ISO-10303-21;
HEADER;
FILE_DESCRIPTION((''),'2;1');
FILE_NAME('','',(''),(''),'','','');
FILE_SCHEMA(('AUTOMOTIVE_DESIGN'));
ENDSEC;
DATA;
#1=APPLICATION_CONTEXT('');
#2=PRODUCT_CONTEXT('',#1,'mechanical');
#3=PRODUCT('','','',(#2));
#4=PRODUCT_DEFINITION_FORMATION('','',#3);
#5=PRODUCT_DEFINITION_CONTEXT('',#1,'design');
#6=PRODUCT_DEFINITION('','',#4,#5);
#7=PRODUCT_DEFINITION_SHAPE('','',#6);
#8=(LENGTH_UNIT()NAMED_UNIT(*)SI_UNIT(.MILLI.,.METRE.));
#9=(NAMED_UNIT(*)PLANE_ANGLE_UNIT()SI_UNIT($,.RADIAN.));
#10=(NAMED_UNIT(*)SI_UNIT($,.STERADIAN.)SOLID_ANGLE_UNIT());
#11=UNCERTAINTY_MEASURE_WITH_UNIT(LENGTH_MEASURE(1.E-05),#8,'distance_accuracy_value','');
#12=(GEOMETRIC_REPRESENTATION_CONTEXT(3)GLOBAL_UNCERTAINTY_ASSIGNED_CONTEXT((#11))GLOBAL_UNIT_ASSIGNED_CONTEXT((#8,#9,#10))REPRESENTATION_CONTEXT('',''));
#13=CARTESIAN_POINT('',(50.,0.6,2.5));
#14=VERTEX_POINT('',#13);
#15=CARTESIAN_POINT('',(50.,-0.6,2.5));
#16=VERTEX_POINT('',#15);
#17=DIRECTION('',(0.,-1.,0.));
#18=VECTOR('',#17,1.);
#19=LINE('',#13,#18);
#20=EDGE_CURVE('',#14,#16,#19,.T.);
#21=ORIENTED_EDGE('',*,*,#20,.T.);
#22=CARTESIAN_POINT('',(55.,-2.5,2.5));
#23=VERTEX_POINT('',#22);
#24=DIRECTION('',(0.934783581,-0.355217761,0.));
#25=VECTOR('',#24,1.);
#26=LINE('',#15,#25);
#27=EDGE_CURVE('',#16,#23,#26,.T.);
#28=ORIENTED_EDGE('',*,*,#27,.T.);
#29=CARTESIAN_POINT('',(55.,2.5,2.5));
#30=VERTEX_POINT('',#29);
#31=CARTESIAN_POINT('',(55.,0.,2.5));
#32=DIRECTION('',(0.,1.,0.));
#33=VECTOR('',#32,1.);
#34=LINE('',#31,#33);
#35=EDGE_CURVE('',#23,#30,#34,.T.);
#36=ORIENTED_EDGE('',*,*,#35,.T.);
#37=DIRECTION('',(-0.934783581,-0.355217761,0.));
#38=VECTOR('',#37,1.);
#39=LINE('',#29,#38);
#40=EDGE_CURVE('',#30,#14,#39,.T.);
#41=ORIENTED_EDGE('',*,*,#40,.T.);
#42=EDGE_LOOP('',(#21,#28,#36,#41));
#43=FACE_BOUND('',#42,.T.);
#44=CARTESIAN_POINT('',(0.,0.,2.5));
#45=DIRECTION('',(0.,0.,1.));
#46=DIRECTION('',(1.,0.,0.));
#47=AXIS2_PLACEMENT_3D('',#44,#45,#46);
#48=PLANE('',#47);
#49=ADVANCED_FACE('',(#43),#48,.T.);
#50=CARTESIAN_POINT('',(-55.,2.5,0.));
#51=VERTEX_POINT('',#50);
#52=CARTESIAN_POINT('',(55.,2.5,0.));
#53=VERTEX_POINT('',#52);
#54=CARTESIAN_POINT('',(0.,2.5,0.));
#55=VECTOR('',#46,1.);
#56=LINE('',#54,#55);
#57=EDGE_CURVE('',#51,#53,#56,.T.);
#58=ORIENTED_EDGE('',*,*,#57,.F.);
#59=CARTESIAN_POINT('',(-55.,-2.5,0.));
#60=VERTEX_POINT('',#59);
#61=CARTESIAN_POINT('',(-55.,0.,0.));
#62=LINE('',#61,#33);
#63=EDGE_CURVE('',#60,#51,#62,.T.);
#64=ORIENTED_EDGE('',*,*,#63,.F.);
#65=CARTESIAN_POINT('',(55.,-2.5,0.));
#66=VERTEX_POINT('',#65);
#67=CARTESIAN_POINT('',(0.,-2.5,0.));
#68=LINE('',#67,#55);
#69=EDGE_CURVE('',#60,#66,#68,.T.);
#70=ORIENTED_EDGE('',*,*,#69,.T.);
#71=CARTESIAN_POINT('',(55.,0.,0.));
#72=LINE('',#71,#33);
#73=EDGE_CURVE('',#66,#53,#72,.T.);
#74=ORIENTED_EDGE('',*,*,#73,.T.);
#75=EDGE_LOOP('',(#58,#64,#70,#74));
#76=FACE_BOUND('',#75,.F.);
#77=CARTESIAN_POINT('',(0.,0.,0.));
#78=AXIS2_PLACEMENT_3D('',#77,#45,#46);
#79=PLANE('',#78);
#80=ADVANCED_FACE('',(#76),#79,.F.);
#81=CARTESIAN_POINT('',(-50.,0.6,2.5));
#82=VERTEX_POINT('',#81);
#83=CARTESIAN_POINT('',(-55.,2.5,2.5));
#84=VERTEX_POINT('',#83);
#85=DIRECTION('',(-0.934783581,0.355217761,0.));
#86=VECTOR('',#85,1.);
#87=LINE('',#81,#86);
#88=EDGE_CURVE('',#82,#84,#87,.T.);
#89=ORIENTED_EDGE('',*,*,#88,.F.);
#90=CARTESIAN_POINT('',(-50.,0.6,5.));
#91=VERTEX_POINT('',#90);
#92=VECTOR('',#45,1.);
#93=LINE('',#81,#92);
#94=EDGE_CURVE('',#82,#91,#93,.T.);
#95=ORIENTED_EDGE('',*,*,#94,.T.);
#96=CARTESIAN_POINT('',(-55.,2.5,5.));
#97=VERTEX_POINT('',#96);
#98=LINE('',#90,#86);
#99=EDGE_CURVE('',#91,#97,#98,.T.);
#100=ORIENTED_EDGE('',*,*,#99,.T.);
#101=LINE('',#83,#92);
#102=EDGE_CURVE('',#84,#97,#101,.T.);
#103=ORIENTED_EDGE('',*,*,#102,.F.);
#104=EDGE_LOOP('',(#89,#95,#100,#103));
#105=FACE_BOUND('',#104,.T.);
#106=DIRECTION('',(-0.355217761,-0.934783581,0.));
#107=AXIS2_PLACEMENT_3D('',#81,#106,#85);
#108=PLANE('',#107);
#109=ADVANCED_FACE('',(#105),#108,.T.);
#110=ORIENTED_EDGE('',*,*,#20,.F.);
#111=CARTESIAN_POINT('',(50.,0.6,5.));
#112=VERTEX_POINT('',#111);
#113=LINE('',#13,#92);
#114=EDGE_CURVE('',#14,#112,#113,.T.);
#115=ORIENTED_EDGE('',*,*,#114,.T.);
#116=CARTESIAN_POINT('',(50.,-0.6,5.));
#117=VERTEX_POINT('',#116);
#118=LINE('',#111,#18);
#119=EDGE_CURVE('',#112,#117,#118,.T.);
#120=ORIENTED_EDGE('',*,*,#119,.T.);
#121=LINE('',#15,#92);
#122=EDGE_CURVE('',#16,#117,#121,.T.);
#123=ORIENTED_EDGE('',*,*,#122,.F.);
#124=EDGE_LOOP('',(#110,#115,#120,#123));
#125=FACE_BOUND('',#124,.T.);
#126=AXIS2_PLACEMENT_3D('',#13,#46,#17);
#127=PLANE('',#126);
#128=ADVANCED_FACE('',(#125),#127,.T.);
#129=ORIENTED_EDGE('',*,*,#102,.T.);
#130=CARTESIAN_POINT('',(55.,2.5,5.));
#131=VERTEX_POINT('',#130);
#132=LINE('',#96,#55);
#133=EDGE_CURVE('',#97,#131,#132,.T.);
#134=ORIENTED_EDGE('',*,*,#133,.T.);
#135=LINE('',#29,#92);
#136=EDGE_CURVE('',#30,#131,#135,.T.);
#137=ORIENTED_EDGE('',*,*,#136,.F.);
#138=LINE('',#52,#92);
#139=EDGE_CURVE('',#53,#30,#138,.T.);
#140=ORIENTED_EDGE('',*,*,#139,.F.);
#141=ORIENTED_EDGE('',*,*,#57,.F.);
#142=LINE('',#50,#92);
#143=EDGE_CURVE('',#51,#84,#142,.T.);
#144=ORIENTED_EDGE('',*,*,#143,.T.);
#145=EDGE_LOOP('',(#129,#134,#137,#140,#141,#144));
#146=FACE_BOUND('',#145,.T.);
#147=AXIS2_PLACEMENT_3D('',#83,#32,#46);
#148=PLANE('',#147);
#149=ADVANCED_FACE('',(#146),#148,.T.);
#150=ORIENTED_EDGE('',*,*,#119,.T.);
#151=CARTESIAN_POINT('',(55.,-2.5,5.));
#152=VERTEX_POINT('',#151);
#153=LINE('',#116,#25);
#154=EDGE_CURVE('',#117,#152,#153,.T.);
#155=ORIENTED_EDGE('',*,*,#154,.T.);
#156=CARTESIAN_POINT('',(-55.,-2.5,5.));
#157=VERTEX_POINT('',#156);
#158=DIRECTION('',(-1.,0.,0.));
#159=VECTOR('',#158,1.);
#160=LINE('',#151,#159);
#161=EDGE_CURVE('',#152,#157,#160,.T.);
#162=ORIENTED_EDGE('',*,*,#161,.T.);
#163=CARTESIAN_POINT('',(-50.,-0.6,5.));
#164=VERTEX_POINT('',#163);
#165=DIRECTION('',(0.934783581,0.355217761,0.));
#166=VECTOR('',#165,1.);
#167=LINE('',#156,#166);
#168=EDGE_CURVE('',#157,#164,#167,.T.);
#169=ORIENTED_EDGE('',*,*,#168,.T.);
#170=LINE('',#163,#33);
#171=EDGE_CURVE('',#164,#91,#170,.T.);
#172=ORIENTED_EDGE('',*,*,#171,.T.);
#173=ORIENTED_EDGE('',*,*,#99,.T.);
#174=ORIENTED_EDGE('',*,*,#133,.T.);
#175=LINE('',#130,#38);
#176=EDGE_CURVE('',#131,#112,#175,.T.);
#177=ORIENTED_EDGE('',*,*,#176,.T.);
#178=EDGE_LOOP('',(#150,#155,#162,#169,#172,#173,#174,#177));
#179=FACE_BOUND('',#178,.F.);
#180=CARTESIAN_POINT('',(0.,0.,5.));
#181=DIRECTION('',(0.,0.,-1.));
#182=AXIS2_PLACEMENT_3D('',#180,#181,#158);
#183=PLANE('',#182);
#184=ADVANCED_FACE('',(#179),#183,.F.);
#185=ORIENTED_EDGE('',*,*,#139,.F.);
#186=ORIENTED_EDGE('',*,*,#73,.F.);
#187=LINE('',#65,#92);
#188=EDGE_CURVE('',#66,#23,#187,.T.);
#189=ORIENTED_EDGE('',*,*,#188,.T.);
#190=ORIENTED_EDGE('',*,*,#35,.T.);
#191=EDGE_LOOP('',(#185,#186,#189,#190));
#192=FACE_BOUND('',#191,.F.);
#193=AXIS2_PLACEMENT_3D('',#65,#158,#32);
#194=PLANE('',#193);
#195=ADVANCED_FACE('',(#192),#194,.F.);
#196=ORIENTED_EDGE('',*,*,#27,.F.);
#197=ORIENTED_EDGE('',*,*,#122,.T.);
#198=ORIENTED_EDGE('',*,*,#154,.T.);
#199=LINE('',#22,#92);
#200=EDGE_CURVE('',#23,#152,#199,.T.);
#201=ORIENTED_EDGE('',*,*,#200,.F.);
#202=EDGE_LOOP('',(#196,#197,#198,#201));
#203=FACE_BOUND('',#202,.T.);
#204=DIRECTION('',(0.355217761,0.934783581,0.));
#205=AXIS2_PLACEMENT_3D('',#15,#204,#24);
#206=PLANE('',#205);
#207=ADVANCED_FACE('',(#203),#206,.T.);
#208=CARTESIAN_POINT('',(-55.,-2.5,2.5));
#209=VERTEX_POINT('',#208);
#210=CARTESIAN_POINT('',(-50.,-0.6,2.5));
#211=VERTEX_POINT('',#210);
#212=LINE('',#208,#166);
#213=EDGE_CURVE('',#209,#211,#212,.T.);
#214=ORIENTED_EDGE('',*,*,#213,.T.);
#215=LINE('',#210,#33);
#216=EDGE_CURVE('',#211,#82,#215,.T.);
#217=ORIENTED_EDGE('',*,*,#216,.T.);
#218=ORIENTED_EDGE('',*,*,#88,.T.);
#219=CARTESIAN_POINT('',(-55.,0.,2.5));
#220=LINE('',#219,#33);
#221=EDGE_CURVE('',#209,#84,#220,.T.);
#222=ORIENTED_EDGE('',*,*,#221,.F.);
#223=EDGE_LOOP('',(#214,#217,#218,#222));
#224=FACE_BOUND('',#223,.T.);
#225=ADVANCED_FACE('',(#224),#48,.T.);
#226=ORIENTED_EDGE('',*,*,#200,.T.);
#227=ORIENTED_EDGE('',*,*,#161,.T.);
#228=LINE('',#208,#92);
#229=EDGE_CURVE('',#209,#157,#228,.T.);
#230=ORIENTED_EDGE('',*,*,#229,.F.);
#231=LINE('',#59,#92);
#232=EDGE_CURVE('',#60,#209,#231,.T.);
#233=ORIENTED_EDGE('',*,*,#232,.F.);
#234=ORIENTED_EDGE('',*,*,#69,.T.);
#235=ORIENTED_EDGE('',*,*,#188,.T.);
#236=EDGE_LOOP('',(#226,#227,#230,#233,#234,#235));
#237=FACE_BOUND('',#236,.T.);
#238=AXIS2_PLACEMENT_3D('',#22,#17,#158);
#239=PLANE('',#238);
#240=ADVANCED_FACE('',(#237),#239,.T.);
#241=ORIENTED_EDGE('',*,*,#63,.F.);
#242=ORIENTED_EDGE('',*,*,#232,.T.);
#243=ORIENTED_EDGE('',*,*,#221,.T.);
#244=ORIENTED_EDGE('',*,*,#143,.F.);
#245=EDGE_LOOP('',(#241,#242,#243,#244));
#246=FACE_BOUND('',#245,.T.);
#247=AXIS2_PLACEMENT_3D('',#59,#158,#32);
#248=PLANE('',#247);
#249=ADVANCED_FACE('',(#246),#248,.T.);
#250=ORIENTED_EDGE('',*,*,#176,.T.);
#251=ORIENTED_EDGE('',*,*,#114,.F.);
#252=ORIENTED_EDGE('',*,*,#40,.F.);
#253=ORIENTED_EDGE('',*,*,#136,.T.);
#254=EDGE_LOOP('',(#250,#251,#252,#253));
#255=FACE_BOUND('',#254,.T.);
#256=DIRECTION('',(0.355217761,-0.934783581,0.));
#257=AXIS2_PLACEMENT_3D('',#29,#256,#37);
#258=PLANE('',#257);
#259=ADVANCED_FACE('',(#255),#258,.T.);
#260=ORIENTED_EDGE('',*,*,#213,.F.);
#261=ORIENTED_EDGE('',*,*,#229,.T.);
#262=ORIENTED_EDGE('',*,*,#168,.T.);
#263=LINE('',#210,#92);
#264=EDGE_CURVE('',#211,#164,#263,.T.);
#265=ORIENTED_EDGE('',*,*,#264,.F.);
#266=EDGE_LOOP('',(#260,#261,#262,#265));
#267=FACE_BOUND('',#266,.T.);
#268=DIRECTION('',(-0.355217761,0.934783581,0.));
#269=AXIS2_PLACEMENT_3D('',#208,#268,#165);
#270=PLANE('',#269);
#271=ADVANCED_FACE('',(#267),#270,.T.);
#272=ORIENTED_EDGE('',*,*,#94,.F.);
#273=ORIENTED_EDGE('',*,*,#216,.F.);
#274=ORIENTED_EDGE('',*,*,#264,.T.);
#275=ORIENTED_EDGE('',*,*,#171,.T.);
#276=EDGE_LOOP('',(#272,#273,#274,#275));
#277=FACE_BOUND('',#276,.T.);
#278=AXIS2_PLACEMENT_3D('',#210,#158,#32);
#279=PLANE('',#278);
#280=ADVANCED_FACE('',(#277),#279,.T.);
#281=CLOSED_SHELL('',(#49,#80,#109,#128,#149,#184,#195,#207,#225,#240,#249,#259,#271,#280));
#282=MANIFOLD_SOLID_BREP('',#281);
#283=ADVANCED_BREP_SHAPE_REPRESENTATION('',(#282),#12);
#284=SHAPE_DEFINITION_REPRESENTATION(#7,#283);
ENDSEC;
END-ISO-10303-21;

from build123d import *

# Parameters (mm, degrees)
SKETCH_W     = 110
SKETCH_H     = 5
PAD_DEPTH    = 2.5
PAD001_DEPTH = 2.5


with BuildPart() as part:
    # Sketch → Pad (new body)
    with BuildSketch(Plane.XY):
        Rectangle(SKETCH_W, SKETCH_H)
    extrude(amount=PAD_DEPTH)

    # Sketch001 → Pad001 (new body)
    with BuildSketch(Plane.XY.offset(2.5)):
        Polygon((-55, 2.5), (55, 2.5), (50, 0.6), (50, -0.6), (55, -2.5), (-55, -2.5), (-50, -0.6), (-50, 0.6), align=None)
    extrude(amount=PAD001_DEPTH)


solid = part.part
